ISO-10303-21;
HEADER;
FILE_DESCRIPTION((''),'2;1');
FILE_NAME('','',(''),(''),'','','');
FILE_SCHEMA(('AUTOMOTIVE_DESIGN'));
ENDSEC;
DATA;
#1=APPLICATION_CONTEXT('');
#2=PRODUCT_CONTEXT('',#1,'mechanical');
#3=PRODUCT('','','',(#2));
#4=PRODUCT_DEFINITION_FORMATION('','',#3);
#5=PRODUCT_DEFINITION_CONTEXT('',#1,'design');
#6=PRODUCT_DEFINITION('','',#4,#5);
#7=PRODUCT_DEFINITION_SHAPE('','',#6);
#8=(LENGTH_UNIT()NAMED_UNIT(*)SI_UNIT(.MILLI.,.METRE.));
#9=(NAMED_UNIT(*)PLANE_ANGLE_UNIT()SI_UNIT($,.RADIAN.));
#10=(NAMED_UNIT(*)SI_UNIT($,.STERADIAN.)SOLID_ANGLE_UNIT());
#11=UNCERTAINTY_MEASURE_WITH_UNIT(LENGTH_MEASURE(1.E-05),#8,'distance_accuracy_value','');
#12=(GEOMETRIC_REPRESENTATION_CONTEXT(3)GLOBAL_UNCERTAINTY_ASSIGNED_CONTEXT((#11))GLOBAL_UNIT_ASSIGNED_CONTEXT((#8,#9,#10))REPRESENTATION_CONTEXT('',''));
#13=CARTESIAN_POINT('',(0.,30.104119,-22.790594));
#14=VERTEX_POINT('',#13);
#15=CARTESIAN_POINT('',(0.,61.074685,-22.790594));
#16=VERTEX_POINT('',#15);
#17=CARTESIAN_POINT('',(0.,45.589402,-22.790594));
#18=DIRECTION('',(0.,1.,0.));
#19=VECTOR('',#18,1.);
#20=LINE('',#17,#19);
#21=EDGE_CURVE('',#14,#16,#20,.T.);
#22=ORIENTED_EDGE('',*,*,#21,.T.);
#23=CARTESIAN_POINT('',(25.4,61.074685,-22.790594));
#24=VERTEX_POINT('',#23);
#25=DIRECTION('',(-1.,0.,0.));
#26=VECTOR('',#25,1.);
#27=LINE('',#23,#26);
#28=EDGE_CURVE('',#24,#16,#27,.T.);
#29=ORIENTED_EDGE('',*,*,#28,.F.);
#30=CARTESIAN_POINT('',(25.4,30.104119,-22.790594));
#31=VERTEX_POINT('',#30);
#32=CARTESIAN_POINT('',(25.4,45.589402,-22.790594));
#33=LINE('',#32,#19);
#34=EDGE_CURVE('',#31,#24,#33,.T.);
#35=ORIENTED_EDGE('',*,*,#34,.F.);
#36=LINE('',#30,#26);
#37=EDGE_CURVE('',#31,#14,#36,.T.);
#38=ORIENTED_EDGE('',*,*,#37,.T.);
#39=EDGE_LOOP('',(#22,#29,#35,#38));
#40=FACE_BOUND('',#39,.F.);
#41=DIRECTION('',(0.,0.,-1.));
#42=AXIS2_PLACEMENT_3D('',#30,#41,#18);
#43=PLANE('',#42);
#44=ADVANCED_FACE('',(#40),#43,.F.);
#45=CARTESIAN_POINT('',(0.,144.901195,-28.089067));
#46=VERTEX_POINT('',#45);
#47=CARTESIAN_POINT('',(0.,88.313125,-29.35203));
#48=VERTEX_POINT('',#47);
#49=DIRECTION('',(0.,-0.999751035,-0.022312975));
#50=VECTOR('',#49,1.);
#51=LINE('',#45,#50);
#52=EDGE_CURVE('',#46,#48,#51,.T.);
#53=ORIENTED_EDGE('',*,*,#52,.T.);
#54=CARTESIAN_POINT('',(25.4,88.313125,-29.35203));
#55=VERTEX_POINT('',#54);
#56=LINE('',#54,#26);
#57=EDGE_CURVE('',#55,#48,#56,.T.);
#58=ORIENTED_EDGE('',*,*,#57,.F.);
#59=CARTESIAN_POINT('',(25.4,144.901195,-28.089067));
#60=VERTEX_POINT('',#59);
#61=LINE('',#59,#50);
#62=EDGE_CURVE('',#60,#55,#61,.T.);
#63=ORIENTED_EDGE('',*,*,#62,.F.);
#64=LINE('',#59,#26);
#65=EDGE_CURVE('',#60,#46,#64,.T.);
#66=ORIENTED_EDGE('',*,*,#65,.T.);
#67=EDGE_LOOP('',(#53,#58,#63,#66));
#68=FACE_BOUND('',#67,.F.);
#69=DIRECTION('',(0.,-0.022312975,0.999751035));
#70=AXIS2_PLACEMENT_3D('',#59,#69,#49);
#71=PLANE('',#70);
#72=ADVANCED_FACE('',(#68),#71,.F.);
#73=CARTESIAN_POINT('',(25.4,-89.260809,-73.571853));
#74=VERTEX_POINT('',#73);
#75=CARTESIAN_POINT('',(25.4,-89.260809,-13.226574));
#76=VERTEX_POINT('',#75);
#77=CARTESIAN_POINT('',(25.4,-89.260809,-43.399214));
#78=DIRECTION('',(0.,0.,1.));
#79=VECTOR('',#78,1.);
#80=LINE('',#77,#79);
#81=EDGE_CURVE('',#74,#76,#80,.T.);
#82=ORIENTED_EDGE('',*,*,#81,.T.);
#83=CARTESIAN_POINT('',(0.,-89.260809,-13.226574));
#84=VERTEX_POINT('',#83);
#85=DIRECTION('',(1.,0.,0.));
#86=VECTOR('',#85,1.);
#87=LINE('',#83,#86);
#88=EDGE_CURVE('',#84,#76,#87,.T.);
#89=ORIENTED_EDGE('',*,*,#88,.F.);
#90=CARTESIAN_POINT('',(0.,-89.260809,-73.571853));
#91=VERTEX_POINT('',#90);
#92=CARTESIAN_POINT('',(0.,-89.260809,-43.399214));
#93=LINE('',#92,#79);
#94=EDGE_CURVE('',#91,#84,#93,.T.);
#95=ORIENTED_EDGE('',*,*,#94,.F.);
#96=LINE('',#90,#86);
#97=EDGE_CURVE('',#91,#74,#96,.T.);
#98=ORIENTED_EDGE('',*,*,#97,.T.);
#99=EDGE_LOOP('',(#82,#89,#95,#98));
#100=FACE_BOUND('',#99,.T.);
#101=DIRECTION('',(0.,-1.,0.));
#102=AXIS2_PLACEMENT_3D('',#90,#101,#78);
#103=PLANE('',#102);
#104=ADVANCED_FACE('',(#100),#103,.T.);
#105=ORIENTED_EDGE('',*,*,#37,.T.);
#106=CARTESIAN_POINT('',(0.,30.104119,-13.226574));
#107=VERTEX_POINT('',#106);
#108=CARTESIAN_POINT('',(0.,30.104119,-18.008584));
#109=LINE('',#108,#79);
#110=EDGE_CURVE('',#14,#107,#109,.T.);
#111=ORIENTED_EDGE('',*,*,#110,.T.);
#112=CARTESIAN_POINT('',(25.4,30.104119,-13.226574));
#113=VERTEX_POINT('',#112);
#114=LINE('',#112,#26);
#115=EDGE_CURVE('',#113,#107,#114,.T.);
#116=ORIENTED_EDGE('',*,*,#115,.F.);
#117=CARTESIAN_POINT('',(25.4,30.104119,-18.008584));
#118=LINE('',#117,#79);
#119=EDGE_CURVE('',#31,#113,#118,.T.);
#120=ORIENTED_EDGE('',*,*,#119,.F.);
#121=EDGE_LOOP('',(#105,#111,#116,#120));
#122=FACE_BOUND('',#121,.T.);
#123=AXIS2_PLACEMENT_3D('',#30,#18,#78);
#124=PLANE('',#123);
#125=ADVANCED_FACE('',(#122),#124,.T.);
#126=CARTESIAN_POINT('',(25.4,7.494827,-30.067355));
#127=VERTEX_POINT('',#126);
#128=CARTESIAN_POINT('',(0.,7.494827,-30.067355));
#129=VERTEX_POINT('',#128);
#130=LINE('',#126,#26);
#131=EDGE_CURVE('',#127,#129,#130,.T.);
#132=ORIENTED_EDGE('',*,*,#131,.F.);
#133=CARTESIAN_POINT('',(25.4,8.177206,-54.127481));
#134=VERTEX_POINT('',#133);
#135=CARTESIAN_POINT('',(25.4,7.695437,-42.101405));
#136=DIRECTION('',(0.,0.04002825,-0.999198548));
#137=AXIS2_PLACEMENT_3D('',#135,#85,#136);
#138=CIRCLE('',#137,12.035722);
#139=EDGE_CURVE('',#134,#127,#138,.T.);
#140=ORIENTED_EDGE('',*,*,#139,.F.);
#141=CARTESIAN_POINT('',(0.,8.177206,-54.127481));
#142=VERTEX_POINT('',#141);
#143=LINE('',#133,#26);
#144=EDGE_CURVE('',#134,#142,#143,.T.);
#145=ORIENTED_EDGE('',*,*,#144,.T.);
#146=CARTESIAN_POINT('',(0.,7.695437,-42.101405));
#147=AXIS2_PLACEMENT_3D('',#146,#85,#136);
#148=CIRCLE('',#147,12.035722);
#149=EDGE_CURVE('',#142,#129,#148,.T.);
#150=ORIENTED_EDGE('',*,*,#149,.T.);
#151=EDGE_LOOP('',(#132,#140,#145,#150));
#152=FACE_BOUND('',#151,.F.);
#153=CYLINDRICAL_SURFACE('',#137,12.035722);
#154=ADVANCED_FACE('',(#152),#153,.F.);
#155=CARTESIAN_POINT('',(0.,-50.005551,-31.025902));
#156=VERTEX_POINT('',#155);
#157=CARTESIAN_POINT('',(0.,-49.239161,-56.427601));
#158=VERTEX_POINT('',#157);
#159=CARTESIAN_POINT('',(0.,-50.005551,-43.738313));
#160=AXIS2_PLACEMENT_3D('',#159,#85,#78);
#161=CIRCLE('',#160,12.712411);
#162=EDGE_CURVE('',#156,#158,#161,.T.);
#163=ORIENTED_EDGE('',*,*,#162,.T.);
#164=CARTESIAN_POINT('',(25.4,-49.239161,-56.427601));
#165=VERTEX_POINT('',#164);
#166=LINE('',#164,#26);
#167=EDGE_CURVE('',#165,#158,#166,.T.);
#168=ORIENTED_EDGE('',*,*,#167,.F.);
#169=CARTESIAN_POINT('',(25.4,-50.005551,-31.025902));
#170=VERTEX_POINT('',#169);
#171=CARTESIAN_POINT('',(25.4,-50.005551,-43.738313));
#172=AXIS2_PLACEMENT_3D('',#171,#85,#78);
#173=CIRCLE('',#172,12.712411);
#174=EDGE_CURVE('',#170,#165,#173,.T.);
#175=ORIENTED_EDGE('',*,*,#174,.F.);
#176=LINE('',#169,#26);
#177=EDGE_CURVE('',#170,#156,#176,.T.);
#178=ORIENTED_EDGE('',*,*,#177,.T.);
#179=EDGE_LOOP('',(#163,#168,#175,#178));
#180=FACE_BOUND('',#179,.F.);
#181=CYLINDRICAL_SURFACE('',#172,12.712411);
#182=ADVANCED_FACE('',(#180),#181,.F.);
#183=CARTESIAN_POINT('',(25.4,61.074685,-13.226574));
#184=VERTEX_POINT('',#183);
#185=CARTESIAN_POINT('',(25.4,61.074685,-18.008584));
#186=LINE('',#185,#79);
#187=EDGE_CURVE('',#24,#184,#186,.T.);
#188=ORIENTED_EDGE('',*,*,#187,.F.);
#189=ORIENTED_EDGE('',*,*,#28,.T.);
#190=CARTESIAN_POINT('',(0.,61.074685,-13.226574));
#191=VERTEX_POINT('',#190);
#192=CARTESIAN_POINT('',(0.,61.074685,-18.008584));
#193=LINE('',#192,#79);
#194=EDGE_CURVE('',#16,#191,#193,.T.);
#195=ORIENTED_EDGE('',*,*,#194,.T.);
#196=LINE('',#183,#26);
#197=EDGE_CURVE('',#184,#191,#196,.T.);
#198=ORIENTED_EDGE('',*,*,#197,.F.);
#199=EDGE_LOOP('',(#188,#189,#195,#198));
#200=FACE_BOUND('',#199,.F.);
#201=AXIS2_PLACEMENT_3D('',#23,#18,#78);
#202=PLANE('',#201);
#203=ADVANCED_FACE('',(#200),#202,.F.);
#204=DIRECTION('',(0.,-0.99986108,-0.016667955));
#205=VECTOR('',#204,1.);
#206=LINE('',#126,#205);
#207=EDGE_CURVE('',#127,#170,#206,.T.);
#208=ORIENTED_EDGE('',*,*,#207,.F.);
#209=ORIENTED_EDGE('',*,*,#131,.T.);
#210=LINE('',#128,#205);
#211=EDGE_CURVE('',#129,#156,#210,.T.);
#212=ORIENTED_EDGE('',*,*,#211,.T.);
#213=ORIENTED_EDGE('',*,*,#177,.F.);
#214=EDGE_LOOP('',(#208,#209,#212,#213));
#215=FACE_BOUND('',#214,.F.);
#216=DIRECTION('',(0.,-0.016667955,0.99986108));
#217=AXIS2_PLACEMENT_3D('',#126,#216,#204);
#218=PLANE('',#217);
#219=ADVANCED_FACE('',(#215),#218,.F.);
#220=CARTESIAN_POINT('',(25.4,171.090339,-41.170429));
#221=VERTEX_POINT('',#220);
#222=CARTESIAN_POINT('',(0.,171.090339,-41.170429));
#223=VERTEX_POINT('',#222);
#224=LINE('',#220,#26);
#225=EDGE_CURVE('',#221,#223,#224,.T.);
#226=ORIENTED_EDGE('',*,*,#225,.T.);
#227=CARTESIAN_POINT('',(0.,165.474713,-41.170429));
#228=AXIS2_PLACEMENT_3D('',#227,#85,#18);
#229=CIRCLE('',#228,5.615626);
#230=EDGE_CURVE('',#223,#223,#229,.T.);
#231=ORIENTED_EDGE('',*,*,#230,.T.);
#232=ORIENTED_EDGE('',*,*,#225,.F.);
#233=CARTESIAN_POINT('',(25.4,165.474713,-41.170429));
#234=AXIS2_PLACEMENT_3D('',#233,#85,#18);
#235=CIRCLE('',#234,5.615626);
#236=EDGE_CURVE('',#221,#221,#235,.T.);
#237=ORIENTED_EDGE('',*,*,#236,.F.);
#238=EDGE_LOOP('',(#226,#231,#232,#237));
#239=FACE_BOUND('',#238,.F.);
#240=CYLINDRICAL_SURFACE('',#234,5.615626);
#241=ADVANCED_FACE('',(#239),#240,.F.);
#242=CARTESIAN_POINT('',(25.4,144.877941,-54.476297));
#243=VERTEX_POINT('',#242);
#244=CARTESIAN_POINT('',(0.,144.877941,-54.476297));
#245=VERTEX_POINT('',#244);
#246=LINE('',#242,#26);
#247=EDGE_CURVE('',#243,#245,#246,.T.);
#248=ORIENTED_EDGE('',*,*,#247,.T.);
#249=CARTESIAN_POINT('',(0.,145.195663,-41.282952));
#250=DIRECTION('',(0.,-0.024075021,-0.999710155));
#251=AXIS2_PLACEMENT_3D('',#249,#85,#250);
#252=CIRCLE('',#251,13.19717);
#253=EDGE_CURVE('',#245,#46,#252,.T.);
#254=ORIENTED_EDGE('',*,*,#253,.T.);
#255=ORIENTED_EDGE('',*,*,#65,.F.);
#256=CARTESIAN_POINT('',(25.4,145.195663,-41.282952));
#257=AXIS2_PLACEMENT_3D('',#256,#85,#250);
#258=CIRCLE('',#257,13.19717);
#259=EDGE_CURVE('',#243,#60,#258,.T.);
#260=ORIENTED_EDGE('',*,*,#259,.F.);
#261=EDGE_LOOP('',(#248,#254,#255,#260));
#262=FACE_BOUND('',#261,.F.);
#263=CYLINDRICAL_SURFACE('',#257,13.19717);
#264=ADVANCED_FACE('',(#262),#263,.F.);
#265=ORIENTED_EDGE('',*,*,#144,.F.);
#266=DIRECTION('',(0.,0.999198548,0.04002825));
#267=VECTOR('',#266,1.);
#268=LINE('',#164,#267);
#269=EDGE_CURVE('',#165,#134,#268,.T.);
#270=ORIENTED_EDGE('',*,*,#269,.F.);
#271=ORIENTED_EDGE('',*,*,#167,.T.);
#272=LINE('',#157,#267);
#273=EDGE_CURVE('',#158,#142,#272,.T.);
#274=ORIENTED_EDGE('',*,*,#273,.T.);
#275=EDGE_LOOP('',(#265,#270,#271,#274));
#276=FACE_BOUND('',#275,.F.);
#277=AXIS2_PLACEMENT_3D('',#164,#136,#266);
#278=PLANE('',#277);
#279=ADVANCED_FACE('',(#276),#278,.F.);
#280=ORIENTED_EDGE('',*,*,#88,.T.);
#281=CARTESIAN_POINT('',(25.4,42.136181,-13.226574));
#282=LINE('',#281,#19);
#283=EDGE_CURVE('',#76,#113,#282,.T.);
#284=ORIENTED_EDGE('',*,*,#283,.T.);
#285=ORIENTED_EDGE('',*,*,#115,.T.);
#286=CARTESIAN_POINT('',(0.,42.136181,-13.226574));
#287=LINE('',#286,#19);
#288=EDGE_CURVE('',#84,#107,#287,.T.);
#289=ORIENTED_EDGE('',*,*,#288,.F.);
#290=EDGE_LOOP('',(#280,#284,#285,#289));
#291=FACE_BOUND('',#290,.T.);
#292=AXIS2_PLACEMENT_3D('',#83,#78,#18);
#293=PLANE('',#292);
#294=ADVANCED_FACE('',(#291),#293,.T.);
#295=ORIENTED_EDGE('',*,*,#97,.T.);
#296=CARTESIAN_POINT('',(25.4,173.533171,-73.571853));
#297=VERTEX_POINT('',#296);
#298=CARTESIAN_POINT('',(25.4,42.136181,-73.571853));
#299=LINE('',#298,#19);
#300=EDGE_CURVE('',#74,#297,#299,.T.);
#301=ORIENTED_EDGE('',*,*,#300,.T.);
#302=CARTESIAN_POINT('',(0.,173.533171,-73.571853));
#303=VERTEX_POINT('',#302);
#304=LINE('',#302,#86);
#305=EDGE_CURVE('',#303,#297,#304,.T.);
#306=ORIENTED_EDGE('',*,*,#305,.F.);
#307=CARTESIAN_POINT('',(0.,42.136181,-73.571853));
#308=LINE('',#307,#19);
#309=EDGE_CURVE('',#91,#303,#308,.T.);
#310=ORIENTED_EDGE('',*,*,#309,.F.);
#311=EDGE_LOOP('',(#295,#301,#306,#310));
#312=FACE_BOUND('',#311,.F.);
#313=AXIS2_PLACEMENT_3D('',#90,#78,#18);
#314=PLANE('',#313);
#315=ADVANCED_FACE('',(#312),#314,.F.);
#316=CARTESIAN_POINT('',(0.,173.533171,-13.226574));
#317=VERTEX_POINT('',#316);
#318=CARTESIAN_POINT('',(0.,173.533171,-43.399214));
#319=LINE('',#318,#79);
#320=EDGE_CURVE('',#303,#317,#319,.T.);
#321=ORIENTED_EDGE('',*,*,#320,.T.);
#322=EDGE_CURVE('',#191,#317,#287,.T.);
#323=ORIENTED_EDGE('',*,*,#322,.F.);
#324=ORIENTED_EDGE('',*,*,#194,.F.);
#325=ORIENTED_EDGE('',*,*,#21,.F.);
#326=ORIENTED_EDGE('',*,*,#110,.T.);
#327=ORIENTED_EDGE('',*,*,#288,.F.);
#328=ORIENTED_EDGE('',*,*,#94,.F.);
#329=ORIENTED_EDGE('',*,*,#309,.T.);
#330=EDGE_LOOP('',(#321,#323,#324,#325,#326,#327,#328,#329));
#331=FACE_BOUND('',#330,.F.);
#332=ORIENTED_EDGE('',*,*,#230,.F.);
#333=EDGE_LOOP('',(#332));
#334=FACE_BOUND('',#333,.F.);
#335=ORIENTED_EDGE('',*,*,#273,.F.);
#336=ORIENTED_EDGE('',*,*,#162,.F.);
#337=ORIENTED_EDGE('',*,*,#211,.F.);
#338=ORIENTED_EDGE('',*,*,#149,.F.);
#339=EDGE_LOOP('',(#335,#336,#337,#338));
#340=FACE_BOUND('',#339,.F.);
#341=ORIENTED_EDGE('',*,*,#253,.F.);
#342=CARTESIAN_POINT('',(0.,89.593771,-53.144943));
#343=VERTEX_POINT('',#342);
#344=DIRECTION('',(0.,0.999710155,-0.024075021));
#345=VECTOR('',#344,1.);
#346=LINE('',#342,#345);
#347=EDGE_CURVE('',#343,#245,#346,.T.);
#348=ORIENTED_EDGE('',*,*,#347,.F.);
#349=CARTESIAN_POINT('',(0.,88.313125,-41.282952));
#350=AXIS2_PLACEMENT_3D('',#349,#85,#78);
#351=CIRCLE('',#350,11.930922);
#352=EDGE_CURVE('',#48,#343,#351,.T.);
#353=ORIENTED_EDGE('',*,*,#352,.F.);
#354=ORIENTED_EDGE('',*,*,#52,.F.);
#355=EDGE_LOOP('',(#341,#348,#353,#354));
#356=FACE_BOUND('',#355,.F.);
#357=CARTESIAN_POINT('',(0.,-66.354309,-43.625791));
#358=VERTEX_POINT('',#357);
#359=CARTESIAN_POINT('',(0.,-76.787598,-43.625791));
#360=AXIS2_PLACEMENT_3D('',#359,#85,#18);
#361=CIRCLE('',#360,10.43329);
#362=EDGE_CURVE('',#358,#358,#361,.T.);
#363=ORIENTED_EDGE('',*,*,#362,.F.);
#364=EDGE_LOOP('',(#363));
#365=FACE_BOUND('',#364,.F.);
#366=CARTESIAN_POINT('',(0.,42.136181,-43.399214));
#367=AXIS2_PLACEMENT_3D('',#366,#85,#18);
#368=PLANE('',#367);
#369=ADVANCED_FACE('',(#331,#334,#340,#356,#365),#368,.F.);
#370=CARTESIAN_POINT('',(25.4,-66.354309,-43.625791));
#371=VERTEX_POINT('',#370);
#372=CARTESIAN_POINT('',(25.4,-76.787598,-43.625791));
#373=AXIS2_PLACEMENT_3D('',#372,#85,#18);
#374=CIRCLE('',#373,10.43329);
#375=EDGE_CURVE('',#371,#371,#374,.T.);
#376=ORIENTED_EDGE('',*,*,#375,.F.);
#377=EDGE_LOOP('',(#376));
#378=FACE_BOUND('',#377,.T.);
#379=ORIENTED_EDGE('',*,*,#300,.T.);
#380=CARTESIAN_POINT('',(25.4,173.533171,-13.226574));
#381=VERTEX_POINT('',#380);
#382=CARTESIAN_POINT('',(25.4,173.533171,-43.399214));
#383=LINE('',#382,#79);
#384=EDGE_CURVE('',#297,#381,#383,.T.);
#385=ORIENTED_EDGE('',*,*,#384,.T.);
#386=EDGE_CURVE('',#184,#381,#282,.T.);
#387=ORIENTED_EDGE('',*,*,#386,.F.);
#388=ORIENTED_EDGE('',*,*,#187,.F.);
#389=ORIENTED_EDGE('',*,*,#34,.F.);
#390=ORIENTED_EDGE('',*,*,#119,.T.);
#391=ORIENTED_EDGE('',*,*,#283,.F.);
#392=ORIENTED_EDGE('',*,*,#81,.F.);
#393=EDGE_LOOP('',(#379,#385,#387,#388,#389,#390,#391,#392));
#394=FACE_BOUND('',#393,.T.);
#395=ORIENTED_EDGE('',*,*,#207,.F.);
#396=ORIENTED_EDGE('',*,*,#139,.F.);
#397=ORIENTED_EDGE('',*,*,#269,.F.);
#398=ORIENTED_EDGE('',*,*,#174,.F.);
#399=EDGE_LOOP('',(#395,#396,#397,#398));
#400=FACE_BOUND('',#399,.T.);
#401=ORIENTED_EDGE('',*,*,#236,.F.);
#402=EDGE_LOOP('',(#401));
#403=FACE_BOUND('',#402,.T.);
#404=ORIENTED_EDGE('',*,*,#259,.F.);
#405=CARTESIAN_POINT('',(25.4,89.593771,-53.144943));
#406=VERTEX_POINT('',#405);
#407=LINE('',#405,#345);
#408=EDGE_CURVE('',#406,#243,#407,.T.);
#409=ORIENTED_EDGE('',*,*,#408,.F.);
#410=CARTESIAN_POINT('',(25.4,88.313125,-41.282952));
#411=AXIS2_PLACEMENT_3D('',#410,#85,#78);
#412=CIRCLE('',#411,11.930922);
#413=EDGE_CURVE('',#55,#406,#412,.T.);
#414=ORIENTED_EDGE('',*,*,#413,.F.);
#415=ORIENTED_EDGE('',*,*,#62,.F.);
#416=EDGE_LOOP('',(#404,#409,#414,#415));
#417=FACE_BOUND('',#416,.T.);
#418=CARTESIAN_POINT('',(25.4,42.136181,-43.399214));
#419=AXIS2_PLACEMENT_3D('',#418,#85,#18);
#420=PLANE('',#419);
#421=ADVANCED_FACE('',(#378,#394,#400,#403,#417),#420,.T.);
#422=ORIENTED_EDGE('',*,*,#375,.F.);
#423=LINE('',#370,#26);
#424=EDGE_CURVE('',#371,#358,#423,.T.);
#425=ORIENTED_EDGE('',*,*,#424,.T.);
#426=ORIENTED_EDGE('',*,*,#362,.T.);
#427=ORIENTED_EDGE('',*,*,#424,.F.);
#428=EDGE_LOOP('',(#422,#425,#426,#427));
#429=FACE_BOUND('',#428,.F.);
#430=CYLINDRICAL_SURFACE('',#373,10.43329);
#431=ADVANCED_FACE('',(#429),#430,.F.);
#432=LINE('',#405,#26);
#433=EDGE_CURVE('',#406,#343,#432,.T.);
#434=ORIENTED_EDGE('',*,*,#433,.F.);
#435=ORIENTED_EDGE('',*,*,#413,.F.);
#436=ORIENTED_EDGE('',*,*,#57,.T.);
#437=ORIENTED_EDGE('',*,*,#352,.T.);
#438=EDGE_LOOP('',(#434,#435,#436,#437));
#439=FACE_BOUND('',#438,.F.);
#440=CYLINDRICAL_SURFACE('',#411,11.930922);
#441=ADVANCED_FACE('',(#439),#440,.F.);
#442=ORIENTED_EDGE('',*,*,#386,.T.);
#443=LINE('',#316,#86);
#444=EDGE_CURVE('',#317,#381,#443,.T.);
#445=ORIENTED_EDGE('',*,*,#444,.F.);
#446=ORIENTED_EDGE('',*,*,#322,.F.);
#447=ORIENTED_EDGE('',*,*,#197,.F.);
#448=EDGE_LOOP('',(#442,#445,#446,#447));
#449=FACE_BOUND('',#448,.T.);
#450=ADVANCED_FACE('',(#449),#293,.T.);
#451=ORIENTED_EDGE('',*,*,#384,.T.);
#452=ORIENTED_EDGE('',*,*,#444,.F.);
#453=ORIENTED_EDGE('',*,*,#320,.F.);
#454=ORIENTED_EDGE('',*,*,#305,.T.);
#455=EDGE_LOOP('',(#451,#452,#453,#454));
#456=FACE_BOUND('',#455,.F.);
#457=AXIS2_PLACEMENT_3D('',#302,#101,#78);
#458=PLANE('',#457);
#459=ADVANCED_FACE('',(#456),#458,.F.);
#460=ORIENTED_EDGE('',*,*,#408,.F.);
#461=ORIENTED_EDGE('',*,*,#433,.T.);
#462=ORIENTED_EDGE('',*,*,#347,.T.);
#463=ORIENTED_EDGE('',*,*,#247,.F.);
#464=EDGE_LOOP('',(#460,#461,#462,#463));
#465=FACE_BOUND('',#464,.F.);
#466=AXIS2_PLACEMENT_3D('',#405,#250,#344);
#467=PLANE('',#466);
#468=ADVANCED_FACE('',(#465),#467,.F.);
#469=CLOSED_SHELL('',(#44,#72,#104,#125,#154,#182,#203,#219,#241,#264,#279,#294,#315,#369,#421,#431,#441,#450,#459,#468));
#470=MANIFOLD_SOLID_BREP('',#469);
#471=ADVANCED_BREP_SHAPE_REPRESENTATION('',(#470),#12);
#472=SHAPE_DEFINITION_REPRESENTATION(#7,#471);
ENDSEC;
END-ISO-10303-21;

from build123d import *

# Parameters (mm, degrees)
F0_W     = 262.7939805388
F0_H     = 60.3452790529
F1_DEPTH = 25.4
F3_DEPTH = 25.4
F4_W     = 30.9705659747
F4_H     = 9.5640197396
F5_DEPTH = 25.4
F6_R     = 10.4332897986
F6_R_2   = 5.6156262259
F7_DEPTH = 25.4


with BuildPart() as f1:
    # F0 (on Right) → F1 (new body)
    with BuildSketch(Plane.YZ):
        with Locations((42.1361811459, -43.3992138132)):
            Rectangle(F0_W, F0_H)
    extrude(amount=F1_DEPTH)

    # F2 (on face) → F3 (cut)
    with BuildSketch(Plane.YZ.offset(25.4)):
        with BuildLine():
            Line((7.4948265063, -30.0673552864), (-50.0055514276, -31.0259021828))
            ThreePointArc((-50.0055514276, -31.0259021828), (-62.7121802874, -44.1216826763), (-49.2391608491, -56.4276012088))
            Line((-49.2391608491, -56.4276012088), (8.1772062662, -54.1274810899))
            ThreePointArc((8.1772062662, -54.1274810899), (19.7263216343, -41.7601920363), (7.4948265063, -30.0673552864))
        make_face()
        with BuildLine():
            Line((144.9011948523, -28.0890673087), (88.3131250739, -29.3520299082))
            ThreePointArc((88.3131250739, -29.3520299082), (76.3994481978, -41.9242015804), (89.5937708362, -53.1449434175))
            Line((89.5937708362, -53.1449434175), (144.8779408269, -54.4762968558))
            ThreePointArc((144.8779408269, -54.4762968558), (158.3928280128, -41.2945819732), (144.9011948523, -28.0890673087))
        make_face()
    extrude(amount=-F3_DEPTH, mode=Mode.SUBTRACT)

    # F4 (on face) → F5 (cut)
    with BuildSketch(Plane.YZ.offset(25.4)):
        with Locations((45.589402318, -18.0085841566)):
            Rectangle(F4_W, F4_H)
    extrude(amount=-F5_DEPTH, mode=Mode.SUBTRACT)

    # F6 (on face) → F7 (cut)
    with BuildSketch(Plane.YZ.offset(25.4)):
        with Locations((-76.7875984311, -43.6257906258)):
            Circle(F6_R)
        with Locations((165.4747128487, -41.1704294384)):
            Circle(F6_R_2)
    extrude(amount=-F7_DEPTH, mode=Mode.SUBTRACT)


solid = f1.part
